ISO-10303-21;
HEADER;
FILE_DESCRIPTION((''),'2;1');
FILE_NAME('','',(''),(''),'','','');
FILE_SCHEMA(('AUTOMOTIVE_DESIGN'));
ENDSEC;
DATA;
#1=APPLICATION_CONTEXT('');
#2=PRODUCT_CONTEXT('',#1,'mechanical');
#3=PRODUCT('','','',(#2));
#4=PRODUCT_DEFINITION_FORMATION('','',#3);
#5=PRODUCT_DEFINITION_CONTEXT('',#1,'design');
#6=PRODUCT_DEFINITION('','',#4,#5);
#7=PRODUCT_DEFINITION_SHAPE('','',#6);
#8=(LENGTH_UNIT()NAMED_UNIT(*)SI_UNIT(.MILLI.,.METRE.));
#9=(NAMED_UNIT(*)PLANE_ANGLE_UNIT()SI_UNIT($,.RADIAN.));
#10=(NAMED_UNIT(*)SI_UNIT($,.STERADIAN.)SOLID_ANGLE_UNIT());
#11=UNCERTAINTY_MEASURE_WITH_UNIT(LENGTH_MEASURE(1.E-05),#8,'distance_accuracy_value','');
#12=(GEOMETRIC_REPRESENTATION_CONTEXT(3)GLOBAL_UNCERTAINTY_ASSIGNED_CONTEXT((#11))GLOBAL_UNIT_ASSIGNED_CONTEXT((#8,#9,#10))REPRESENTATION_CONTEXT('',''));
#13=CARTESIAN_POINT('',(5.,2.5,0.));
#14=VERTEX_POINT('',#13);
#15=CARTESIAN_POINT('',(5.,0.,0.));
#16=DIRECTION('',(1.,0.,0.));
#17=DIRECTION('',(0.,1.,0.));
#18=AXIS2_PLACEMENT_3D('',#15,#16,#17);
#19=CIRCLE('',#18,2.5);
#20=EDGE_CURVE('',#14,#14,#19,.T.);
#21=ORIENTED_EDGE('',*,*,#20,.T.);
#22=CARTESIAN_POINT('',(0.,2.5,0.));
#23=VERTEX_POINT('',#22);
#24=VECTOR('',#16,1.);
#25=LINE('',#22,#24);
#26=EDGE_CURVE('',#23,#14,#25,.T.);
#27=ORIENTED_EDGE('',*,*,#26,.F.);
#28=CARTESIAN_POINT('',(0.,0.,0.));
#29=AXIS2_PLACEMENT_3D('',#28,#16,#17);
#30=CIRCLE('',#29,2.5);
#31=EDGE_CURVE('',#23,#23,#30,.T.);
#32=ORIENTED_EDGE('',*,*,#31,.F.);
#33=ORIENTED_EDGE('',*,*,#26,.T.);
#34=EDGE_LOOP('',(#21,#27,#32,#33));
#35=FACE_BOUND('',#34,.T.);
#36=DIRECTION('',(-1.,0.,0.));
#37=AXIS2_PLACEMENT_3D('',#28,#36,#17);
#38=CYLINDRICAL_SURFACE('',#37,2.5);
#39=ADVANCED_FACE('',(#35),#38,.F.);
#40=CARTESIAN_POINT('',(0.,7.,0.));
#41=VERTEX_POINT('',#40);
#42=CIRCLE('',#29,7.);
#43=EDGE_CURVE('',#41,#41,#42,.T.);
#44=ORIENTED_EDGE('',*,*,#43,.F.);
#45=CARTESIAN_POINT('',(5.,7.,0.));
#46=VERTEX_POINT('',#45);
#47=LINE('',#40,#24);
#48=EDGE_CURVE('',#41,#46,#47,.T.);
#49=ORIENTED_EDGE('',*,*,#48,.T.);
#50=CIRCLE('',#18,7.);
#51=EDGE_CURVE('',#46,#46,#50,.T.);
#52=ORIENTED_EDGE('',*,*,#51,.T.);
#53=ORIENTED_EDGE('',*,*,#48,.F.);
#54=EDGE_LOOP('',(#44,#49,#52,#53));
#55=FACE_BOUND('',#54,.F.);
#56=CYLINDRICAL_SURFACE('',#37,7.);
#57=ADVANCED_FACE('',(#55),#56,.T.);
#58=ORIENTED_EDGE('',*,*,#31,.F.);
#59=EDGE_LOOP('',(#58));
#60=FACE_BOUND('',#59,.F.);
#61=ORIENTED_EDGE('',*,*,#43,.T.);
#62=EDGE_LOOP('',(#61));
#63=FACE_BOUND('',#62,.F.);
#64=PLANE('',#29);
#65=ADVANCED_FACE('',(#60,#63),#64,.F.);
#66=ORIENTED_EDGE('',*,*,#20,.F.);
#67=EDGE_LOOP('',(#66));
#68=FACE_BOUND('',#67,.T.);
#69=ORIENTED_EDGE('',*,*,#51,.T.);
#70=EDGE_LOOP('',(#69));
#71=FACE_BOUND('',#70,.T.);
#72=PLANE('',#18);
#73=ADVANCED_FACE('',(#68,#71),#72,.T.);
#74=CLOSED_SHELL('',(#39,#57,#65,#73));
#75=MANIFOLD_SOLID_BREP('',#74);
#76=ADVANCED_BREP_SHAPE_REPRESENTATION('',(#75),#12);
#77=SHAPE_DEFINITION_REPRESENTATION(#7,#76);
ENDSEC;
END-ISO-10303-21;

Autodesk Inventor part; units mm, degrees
ref_plane "YZ Plane" through (0, 0, 0) normal (1, 0, 0) x (0, 1, 0)
ref_plane "XZ Plane" through (0, 0, 0) normal (0, 1, 0) x (-1, 0, 0)
ref_plane "XY Plane" through (0, 0, 0) normal (0, 0, 1) x (1, 0, 0)
sketch "Sketch1" plane through (0, 0, 0) normal (1, 0, 0) x (0, 1, 0)
  circle A0 centre (0, 0) radius 2.5
  circle A1 centre (0, 0) radius 7
  dimension "d0" = 5
  dimension "d1" = 14
extrude "Extrusion1" add sketch "Sketch1" along normal blind 5
properties part number "cojinete"
